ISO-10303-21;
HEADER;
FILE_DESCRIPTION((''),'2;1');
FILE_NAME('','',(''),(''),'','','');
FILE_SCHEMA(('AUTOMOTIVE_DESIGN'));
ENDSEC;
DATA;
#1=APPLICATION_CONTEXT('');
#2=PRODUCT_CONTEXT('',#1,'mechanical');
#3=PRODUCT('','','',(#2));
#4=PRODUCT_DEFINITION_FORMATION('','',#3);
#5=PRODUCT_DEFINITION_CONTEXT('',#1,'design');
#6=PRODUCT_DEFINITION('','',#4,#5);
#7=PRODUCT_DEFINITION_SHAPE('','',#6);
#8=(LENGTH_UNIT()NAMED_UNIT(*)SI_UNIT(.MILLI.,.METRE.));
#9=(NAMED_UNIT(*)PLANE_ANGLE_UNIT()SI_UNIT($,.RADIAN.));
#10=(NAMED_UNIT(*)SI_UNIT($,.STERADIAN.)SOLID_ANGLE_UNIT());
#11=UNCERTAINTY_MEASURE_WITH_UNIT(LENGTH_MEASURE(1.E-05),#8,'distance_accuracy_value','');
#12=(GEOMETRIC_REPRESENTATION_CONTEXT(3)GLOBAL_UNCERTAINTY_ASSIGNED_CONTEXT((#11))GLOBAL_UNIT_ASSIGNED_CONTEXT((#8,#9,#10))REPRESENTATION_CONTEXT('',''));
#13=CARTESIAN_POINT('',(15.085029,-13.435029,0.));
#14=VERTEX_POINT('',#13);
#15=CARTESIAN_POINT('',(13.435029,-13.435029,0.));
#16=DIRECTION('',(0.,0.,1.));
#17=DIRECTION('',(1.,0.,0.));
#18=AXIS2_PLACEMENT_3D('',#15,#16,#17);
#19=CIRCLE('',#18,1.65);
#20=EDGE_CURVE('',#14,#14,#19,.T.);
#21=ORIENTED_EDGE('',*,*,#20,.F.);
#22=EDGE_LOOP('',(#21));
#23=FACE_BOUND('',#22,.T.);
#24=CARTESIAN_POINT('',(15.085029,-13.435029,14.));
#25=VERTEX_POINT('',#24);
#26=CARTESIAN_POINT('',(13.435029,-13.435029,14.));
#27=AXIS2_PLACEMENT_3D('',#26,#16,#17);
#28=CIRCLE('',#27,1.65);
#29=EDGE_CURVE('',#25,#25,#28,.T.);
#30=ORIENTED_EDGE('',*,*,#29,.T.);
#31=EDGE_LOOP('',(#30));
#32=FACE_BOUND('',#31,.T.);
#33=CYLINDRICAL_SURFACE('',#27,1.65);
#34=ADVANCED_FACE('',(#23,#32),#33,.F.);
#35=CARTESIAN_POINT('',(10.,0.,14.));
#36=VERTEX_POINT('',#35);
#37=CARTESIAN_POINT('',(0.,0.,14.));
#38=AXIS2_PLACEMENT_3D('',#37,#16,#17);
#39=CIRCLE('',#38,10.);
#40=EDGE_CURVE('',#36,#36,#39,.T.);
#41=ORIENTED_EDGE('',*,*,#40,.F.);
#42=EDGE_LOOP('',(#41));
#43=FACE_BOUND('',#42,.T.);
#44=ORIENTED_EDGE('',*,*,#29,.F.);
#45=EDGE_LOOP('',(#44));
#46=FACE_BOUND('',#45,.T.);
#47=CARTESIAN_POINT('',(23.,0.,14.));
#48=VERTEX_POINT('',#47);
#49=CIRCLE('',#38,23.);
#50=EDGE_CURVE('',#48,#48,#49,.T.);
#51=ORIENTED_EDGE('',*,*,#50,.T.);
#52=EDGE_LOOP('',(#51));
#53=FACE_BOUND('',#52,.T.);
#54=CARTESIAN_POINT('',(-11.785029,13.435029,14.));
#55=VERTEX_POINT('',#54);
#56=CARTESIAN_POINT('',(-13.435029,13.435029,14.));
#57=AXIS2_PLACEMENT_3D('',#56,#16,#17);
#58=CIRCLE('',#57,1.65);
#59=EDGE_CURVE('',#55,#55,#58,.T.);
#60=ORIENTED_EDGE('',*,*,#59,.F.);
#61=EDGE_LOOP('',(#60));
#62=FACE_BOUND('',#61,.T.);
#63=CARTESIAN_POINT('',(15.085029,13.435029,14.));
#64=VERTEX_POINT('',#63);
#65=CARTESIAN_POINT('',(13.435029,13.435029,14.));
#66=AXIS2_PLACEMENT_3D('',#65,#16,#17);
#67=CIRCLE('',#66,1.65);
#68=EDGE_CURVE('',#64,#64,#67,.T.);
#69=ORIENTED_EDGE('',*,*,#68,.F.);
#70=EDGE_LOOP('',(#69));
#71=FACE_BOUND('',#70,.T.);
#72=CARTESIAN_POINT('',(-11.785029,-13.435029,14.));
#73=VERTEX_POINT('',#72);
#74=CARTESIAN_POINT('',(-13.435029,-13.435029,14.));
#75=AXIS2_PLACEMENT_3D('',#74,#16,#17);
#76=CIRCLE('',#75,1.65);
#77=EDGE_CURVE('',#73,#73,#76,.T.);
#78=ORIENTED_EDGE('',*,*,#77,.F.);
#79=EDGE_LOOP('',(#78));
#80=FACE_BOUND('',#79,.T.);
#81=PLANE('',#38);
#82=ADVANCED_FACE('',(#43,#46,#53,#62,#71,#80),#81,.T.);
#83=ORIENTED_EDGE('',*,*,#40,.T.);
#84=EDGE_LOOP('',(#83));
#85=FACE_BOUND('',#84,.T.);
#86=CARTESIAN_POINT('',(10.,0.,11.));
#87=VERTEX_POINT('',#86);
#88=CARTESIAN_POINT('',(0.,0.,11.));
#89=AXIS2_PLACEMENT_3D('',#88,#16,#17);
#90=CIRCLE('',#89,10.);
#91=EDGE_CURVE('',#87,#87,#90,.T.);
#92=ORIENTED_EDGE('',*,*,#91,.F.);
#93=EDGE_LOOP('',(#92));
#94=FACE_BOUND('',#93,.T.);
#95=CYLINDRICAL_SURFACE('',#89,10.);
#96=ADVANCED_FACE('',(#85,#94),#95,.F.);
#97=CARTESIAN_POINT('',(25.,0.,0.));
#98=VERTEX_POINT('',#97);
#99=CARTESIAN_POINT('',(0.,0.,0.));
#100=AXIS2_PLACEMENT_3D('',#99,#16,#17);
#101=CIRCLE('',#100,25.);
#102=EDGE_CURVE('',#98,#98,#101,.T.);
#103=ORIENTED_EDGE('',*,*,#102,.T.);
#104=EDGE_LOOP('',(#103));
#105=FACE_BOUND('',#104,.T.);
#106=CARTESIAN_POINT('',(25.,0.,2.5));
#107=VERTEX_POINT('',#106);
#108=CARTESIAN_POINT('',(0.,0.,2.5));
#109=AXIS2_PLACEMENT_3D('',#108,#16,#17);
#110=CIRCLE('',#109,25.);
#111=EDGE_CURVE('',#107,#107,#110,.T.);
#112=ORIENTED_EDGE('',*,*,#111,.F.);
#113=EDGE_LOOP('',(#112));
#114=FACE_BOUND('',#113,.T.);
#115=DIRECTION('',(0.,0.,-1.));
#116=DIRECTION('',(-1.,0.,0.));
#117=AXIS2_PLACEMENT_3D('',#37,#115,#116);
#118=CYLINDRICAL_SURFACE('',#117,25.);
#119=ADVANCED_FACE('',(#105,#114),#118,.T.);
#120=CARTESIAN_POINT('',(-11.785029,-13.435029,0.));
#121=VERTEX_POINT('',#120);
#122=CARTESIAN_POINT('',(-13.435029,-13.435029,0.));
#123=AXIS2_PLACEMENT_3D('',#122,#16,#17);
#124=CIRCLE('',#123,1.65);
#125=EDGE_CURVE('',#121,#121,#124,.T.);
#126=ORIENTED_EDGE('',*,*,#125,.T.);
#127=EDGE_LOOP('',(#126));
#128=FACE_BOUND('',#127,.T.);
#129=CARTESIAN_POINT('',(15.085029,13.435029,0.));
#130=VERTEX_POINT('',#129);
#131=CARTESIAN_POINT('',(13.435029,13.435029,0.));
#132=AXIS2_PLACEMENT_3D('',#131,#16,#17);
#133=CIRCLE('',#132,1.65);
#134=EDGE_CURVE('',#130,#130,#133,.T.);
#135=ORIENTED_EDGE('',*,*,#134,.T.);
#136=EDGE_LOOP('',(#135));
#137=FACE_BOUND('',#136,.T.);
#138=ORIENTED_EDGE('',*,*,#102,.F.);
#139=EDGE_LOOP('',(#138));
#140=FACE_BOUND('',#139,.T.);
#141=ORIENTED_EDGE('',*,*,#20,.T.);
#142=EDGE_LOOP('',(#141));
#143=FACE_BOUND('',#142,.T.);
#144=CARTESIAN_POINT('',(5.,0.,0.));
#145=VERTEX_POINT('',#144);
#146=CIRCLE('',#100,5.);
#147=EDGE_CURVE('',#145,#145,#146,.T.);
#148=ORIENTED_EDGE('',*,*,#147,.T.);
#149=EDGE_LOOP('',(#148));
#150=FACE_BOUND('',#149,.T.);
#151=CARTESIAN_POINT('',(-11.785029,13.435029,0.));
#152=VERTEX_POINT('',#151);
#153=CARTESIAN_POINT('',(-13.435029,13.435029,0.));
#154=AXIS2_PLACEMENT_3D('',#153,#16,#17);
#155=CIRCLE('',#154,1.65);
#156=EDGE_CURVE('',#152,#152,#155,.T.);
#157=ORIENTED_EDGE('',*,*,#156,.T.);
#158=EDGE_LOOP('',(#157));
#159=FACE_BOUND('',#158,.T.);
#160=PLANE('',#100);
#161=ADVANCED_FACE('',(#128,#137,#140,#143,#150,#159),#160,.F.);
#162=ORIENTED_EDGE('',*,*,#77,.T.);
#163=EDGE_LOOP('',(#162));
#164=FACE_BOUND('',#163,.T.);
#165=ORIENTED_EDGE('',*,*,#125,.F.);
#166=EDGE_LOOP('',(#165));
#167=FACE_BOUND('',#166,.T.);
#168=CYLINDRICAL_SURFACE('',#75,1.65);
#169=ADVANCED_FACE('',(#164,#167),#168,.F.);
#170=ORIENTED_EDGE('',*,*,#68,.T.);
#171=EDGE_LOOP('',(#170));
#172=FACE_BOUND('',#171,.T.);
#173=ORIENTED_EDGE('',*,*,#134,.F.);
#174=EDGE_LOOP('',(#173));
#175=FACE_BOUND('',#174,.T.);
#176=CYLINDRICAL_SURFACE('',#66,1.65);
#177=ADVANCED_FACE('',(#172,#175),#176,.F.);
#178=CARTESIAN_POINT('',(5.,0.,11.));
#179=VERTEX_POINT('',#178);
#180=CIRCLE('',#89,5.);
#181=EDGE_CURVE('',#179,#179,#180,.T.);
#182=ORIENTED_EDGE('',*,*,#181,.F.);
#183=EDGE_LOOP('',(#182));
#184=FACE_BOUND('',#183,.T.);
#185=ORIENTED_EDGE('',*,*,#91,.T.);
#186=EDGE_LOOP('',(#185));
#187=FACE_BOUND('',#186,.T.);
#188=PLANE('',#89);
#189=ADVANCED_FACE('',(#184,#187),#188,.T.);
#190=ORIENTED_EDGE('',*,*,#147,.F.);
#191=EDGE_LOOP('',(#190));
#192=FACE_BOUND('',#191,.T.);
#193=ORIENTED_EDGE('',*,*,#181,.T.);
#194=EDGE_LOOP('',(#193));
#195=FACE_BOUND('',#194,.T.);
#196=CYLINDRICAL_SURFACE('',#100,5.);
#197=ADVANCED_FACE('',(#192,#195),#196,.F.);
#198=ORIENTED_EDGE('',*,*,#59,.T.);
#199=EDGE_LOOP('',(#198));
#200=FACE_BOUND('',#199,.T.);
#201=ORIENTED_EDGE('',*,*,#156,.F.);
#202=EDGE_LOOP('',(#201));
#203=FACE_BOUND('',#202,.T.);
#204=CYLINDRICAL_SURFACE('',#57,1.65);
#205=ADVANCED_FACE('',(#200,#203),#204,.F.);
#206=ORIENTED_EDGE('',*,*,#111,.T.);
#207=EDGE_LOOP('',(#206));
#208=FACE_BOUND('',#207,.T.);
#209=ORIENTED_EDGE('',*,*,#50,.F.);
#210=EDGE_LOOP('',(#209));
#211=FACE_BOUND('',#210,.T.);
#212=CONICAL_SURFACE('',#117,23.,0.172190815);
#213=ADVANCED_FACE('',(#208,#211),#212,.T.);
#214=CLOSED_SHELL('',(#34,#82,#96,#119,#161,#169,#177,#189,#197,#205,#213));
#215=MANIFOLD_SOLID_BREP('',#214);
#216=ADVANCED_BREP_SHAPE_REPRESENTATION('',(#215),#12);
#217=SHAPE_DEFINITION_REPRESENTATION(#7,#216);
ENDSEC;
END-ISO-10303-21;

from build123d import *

# Parameters (mm, degrees)
SKETCH_1_R               = 25
EXTRUDE_1_DEPTH          = 14
SKETCH_3_R               = 1.5
CUT_EXTRUDE_1_DEPTH      = 2
HOLE_WIZARD_M4_1_D       = 3.3
PATTERN_CIRCULAR_1_COUNT = 4
SKETCH_5_R               = 10
CUT_EXTRUDE_2_DEPTH      = 3
SKETCH_6_R               = 5
CUT_EXTRUDE_3_DEPTH      = 38.027017163


with BuildPart() as part:
    # 草图1 → 凸台-拉伸1 (new body)
    with BuildSketch(Plane.XY):
        Circle(SKETCH_1_R)
    extrude(amount=EXTRUDE_1_DEPTH)

    # 草图2 → 切除-旋转1 (revolve, cut)
    with BuildSketch(Plane(origin=(0, 0, 0), x_dir=(0, 0, -1), z_dir=(1, 0, 0)), mode=Mode.PRIVATE) as cut_revolve_1_sk:
        Polygon((-14, 25), (-2.5, 25), (-14, 23), align=None)
    revolve(cut_revolve_1_sk.sketch.rotate(Axis((0, 0, 0), (0, 0, -1)), 90), axis=Axis((0, 0, 0), (0, 0, -1)), mode=Mode.SUBTRACT)

    # 草图3 → 切除-拉伸1 (cut)
    with BuildSketch(Plane.XY.offset(14)):
        with Locations((13.435028843, 13.435028843)):
            Circle(SKETCH_3_R)
    extrude(amount=-CUT_EXTRUDE_1_DEPTH, mode=Mode.SUBTRACT)

    # M4 螺纹孔1 (through all)
    with Locations(Plane(origin=(13.435028843, 13.435028843, 14), x_dir=(1, 0, 0), z_dir=(0, 0, 1))):
        with Locations((0, 0)):
            hole_wizard_m4_1 = Hole(HOLE_WIZARD_M4_1_D / 2)

    # 阵列(圆周)1: M4 螺纹孔1 ×4 about axis
    pattern_circular_1_axis = Axis((0, 0, 0), (0, 0, 1))
    for i in range(1, PATTERN_CIRCULAR_1_COUNT):
        add(hole_wizard_m4_1.rotate(pattern_circular_1_axis, i * 360 / PATTERN_CIRCULAR_1_COUNT), mode=Mode.SUBTRACT)

    # 草图5 → 切除-拉伸2 (cut)
    with BuildSketch(Plane.XY.offset(14)):
        Circle(SKETCH_5_R)
    extrude(amount=-CUT_EXTRUDE_2_DEPTH, mode=Mode.SUBTRACT)

    # 草图6 → 切除-拉伸3 (cut, through all)
    with BuildSketch(Plane.XY.offset(11)):
        Circle(SKETCH_6_R)
    extrude(amount=-CUT_EXTRUDE_3_DEPTH, mode=Mode.SUBTRACT)


solid = part.part
